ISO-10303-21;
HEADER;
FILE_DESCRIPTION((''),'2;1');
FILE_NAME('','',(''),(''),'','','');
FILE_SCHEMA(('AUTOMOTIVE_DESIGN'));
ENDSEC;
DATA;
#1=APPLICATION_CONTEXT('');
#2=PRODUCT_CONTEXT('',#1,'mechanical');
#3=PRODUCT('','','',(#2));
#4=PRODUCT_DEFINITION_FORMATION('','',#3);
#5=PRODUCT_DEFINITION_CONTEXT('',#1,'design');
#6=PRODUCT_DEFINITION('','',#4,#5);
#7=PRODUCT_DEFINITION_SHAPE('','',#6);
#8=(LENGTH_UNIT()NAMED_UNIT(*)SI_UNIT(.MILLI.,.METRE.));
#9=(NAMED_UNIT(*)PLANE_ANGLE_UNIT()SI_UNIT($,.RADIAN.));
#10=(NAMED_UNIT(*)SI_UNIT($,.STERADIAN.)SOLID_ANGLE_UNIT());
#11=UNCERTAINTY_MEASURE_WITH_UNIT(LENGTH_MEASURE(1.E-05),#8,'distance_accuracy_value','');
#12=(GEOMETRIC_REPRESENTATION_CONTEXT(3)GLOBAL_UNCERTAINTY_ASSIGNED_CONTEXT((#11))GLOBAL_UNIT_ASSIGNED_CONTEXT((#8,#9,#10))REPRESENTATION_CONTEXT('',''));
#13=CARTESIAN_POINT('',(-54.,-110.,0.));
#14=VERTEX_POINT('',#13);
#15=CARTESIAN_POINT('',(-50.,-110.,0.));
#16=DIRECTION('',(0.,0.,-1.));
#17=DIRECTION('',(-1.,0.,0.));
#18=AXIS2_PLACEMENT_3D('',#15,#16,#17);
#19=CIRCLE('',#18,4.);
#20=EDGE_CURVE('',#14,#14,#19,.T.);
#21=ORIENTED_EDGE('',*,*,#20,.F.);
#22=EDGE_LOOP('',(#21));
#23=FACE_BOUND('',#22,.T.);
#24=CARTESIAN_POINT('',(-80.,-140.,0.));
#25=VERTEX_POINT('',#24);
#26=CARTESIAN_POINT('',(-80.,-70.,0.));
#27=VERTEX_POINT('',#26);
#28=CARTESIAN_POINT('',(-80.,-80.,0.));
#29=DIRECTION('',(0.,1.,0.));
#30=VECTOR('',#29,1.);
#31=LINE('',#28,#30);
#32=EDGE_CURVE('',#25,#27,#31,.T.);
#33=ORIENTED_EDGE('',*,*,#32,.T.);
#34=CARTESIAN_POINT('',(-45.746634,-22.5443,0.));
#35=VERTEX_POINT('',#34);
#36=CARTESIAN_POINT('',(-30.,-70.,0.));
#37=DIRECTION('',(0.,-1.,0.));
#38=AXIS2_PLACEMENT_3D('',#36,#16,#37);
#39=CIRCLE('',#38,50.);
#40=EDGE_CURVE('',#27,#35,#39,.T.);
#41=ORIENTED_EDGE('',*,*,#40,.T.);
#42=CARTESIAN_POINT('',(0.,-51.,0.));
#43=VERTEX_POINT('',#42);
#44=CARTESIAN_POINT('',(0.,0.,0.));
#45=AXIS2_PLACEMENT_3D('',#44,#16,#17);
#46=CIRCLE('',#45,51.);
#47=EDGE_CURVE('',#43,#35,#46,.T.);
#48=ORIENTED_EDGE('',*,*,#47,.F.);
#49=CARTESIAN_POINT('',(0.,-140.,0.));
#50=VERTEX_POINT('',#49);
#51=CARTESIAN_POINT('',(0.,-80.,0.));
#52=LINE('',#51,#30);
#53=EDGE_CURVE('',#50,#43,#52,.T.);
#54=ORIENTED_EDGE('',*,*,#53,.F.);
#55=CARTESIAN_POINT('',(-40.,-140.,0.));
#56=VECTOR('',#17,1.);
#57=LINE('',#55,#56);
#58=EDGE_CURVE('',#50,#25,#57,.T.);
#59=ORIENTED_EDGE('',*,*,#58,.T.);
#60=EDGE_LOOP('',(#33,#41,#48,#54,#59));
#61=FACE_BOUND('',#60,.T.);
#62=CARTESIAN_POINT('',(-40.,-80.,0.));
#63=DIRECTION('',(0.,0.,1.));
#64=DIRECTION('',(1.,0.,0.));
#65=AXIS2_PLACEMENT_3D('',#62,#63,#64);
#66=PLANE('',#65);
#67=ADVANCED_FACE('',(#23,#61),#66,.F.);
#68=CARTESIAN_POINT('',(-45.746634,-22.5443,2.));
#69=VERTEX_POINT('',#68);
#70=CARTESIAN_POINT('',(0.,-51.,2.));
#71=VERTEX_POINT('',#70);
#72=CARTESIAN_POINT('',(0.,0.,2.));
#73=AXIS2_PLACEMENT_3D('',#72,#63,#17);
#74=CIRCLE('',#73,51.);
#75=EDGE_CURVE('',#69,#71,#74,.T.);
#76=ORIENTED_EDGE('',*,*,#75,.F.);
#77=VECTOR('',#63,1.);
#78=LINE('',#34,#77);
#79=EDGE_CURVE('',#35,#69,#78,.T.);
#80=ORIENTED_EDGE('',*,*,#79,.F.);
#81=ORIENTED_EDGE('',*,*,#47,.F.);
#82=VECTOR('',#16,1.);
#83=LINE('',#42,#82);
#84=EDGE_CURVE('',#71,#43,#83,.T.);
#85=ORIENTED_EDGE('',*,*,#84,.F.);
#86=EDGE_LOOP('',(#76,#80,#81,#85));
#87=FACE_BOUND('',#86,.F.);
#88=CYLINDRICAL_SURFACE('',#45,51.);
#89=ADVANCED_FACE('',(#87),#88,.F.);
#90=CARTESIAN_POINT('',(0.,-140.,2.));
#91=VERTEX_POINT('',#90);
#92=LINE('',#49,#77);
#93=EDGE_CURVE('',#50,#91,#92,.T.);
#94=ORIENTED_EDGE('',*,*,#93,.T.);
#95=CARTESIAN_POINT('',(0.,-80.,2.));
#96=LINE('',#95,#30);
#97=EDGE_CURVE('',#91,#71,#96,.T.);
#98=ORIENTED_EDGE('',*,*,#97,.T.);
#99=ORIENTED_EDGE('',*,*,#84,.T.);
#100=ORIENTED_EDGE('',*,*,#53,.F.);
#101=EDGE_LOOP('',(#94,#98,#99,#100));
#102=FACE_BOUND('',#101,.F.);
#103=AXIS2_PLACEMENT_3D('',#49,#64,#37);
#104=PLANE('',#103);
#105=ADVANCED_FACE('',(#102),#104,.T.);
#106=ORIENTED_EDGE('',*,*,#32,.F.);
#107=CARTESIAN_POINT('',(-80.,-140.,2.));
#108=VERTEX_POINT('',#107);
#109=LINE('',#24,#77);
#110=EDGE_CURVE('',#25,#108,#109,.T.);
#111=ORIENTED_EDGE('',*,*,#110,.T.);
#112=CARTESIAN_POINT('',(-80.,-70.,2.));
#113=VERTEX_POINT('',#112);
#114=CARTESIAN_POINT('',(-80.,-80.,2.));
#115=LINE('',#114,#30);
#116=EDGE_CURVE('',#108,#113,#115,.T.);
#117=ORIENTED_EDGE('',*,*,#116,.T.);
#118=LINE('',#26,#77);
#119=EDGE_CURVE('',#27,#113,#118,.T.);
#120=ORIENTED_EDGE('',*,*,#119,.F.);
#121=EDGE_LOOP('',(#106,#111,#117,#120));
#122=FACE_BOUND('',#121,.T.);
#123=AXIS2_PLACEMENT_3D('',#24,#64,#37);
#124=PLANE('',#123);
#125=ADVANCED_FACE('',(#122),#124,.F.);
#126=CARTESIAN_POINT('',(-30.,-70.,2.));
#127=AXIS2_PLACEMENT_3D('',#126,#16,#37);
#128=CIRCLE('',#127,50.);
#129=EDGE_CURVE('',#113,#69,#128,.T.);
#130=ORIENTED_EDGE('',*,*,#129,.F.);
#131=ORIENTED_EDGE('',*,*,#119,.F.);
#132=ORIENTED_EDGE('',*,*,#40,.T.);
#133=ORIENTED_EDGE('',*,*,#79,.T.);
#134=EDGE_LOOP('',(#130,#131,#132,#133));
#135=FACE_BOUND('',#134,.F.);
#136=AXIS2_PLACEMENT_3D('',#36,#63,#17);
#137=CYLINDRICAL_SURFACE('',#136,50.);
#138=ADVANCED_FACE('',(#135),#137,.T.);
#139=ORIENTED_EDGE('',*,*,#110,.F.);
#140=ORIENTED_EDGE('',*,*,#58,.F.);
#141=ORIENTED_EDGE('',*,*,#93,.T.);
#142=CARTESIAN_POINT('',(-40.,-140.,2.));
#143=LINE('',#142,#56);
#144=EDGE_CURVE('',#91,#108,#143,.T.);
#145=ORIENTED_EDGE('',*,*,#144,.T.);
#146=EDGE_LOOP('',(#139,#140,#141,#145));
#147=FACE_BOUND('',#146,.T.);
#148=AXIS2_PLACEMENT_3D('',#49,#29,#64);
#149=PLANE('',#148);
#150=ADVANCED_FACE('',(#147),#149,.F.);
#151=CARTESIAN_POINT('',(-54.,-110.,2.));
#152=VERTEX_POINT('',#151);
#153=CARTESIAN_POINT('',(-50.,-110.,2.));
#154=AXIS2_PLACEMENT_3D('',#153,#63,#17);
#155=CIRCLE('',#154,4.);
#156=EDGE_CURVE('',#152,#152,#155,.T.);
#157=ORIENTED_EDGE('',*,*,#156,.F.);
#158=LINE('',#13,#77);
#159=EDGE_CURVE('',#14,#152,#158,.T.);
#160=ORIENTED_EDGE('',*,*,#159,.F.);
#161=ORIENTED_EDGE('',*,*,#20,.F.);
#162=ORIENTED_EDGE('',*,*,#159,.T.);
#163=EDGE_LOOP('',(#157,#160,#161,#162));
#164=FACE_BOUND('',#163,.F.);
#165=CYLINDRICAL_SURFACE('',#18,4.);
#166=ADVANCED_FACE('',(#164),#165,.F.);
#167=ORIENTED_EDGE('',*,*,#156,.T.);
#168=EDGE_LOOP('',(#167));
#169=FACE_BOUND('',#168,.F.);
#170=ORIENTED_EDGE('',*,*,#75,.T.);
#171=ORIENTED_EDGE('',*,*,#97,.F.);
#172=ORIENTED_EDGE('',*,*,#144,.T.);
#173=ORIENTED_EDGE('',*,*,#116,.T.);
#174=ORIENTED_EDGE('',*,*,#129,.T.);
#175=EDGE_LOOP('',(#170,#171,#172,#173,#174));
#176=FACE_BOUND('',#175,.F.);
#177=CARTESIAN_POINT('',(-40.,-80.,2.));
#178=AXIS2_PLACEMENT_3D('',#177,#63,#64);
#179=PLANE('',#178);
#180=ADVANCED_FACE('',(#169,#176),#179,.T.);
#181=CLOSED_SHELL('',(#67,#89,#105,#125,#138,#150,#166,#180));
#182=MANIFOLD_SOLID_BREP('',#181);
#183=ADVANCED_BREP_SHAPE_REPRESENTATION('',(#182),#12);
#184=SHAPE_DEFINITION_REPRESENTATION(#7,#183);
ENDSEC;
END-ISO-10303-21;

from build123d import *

# Parameters (mm, degrees)
CYLINDER016_R     = 51
CYLINDER016_DEPTH = 10
CYLINDER_R        = 4
CYLINDER_DEPTH    = 10
BOX_W             = 80
BOX_H             = 120
BOX_DEPTH         = 2
FILLET_R          = 50


with BuildPart() as cylinder017:
    # Cylinder016 → Cylinder016 (new body)
    with BuildSketch(Plane.XY):
        Circle(CYLINDER016_R)
    extrude(amount=CYLINDER016_DEPTH)


with BuildPart() as cylinder:
    # Cylinder → Cylinder (new body)
    with BuildSketch(Plane(origin=(50, -110, 0), x_dir=(1, 0, 0), z_dir=(0, 0, 1))):
        Circle(CYLINDER_R)
    extrude(amount=CYLINDER_DEPTH)


with BuildPart() as cut010:
    # Box → Box (new body)
    with BuildSketch(Plane(origin=(0, -140, 0), x_dir=(1, 0, 0), z_dir=(0, 0, 1))):
        with Locations((40, 60)):
            Rectangle(BOX_W, BOX_H)
    extrude(amount=BOX_DEPTH)

    # Fillet
    fillet_edges = [cut010.edges().sort_by_distance(p)[0] for p in [
        (80, -20, 1),
    ]]
    fillet(fillet_edges, radius=FILLET_R)

    # Cut: cut Cylinder
    add(cylinder.part, mode=Mode.SUBTRACT)

    # Cut010: cut Cylinder017
    add(cylinder017.part, mode=Mode.SUBTRACT)


with BuildPart() as part_mirroring:
    # Part__Mirroring: instance of Cut010
    add(cut010.part.mirror(Plane(origin=(0, 0, 0), x_dir=(0, -1, 0), z_dir=(1, 0, 0))))


solid = part_mirroring.part
